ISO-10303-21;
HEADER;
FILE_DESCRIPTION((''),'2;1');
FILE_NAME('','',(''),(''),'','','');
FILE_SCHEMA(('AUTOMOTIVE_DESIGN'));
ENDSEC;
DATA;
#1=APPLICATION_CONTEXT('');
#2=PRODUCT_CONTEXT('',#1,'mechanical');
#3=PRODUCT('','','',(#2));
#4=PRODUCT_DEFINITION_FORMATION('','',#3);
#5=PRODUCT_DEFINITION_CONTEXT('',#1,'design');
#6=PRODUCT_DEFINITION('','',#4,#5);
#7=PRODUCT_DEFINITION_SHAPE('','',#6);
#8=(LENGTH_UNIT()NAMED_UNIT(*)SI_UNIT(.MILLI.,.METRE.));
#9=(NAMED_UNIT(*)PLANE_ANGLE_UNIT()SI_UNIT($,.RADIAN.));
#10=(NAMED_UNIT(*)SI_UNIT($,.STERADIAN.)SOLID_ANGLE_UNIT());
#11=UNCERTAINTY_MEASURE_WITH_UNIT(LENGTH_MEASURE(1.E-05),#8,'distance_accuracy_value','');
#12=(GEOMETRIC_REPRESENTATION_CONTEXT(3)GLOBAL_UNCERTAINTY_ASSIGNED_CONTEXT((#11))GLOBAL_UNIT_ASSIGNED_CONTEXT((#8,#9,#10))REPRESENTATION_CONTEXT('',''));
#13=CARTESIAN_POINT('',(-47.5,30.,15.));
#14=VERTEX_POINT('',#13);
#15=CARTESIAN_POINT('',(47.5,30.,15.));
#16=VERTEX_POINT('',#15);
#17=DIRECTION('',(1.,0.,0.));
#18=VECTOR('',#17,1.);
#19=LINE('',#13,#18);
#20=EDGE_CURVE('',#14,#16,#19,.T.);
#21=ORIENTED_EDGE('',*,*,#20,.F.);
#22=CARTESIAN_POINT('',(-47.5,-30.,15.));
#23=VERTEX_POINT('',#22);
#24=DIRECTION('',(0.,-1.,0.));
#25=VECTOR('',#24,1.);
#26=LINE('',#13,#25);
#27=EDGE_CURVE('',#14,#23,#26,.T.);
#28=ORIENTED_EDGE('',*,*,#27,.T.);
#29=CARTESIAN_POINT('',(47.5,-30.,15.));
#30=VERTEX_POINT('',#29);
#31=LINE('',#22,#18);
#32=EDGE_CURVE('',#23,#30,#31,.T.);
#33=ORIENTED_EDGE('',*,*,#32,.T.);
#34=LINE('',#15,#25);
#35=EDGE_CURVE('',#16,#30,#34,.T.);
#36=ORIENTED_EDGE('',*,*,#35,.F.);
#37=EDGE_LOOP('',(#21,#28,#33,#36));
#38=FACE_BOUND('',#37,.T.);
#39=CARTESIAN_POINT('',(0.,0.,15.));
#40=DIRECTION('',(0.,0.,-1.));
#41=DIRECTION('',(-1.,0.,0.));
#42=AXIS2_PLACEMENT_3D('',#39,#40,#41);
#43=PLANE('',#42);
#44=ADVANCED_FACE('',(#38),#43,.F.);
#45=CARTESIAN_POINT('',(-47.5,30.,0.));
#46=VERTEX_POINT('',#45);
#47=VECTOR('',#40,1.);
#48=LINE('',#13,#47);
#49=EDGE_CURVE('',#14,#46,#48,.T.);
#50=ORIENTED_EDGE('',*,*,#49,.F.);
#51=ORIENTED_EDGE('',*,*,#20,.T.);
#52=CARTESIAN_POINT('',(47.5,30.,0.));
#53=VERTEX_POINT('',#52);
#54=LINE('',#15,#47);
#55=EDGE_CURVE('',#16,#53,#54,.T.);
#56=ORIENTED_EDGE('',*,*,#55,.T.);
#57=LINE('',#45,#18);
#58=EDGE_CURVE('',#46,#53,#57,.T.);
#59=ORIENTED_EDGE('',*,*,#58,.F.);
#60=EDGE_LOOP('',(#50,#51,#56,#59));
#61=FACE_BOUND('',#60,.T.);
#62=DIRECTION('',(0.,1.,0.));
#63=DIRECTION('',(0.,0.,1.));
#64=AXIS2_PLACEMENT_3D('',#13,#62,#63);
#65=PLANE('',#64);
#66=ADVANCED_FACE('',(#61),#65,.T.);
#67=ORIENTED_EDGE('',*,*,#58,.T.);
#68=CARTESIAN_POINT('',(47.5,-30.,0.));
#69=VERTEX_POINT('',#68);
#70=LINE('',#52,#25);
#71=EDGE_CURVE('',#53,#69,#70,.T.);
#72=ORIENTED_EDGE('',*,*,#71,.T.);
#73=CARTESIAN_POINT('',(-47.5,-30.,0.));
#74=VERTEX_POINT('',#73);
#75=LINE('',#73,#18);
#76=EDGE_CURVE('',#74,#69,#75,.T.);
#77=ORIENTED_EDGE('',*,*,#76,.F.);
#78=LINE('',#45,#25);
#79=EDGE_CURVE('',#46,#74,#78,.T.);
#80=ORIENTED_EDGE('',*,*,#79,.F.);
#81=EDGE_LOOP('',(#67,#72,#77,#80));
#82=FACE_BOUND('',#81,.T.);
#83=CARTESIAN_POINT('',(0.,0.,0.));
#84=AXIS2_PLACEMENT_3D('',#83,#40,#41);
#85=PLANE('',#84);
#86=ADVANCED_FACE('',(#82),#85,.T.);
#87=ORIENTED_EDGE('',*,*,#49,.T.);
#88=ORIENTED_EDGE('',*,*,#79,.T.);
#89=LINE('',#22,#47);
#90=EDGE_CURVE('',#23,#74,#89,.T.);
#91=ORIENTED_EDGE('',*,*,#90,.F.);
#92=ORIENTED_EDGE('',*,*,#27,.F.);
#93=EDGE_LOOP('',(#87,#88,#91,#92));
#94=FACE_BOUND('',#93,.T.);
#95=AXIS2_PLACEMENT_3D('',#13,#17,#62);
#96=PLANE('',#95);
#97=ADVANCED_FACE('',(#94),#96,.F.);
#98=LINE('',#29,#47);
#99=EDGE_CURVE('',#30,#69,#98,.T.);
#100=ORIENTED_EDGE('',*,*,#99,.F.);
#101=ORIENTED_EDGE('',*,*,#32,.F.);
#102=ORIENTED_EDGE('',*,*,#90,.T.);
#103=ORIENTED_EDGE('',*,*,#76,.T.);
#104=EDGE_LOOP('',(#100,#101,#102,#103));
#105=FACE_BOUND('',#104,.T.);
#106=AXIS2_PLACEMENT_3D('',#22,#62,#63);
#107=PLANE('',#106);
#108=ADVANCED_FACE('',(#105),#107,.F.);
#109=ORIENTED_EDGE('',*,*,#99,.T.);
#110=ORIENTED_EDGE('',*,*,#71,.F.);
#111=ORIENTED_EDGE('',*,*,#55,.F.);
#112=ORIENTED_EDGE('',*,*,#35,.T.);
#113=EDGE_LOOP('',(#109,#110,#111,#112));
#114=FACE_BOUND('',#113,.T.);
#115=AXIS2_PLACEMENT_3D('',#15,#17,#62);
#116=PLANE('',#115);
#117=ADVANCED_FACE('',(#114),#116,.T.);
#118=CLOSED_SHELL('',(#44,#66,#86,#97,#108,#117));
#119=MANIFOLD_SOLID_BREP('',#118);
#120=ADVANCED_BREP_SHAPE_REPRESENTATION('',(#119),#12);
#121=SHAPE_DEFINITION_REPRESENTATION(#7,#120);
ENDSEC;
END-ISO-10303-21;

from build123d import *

# Parameters (mm, degrees)
CROQUIS1_W              = 95
CROQUIS1_H              = 60
SALIENTE_EXTRUIR1_DEPTH = 15


with BuildPart() as part:
    # Croquis1 → Saliente-Extruir1 (new body)
    with BuildSketch(Plane.XY):
        Rectangle(CROQUIS1_W, CROQUIS1_H)
    extrude(amount=SALIENTE_EXTRUIR1_DEPTH)


solid = part.part
